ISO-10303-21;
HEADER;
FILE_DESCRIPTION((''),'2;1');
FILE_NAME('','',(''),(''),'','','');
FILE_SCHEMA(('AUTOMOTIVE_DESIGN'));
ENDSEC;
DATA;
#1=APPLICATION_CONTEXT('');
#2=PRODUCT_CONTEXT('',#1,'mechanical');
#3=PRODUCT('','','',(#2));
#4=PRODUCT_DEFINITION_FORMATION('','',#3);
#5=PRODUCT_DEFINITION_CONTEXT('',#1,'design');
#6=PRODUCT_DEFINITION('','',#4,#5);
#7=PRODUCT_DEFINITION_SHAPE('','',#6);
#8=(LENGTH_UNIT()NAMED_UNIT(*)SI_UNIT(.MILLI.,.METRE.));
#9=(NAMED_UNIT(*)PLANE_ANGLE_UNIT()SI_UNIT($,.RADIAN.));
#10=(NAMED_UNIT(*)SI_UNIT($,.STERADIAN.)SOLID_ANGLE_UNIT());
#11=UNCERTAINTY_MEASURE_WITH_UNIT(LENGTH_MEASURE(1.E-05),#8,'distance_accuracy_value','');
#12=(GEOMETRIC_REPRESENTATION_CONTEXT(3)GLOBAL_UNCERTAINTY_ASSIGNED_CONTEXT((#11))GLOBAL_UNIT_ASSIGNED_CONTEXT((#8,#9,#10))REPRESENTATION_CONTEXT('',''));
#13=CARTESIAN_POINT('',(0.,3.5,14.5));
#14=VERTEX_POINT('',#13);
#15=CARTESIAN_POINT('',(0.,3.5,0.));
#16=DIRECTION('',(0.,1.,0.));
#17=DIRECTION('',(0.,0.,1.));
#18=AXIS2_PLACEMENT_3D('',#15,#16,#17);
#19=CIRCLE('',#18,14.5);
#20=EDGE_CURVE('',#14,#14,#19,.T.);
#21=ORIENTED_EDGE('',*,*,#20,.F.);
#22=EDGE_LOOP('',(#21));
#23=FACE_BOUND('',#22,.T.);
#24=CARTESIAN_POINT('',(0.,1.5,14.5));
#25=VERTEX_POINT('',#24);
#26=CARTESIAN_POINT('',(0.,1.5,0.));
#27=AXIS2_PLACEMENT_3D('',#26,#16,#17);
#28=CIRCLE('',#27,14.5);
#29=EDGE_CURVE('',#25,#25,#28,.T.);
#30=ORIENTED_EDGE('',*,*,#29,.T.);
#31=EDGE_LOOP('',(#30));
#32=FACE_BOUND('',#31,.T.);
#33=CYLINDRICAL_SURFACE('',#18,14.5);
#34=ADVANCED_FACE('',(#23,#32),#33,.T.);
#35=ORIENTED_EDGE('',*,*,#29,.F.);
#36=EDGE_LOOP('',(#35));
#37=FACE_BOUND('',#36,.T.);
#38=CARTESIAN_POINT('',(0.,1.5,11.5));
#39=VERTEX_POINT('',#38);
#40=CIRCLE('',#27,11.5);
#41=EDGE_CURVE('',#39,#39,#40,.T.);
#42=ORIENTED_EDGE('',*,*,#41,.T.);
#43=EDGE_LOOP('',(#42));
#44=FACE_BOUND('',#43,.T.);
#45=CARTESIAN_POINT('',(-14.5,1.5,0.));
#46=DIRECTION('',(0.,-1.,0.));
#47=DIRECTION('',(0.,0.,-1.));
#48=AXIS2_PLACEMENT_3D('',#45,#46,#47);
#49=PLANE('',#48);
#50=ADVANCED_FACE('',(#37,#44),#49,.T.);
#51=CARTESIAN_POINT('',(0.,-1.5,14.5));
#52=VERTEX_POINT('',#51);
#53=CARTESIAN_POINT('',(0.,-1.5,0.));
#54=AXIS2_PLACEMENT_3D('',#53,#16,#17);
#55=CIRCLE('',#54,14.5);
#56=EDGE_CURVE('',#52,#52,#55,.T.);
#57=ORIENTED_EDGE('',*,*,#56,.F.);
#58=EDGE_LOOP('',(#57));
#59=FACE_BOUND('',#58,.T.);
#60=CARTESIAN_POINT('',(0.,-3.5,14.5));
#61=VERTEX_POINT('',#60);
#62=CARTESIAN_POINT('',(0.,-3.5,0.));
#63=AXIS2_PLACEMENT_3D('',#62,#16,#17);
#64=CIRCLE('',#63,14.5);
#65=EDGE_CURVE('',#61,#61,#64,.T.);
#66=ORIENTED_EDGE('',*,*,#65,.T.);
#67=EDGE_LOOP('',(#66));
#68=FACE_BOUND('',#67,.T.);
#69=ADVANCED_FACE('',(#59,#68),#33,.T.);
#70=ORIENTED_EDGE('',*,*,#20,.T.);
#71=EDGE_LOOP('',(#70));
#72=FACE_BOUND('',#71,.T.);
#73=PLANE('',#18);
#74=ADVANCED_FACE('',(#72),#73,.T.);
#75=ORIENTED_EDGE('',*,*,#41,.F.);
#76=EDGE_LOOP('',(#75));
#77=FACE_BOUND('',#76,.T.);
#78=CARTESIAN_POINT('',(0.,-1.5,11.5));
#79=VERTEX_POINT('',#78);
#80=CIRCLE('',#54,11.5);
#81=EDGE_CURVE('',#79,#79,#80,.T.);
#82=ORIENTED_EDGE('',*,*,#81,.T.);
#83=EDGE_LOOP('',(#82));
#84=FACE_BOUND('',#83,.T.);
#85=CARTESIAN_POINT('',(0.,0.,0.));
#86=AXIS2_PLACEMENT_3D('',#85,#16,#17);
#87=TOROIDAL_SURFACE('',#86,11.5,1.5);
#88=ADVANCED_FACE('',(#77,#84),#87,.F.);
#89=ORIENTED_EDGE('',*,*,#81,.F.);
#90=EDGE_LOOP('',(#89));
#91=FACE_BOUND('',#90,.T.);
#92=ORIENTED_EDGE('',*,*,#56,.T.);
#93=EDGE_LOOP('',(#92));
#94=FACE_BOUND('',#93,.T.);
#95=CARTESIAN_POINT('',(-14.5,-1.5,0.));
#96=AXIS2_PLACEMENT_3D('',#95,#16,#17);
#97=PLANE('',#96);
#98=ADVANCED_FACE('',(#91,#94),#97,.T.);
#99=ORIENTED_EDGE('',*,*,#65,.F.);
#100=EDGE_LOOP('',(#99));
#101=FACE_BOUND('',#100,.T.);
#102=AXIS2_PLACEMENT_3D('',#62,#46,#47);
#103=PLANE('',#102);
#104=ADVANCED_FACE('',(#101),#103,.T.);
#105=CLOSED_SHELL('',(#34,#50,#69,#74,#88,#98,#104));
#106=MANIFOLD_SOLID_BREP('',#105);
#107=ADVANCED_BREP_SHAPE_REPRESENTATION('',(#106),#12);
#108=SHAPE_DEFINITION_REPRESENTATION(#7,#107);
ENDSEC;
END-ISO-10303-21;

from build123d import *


with BuildPart() as part:
    # ｽｹｯﾁ1 → 回転1 (revolve)
    with BuildSketch(Plane.XY, mode=Mode.PRIVATE) as revolve_1_sk:
        with BuildLine():
            Line((0, 3.5), (-14.5, 3.5))
            Line((-14.5, 3.5), (-14.5, 1.5))
            Line((-14.5, 1.5), (-11.5, 1.5))
            ThreePointArc((-11.5, 1.5), (-10, 0), (-11.5, -1.5))
            Line((-11.5, -1.5), (-14.5, -1.5))
            Line((-14.5, -1.5), (-14.5, -3.5))
            Line((-14.5, -3.5), (0, -3.5))
            Line((0, -3.5), (0, 3.5))
        make_face()
    revolve(revolve_1_sk.sketch.rotate(Axis((0, 3.5, 0), (0, -1, 0)), 270), axis=Axis((0, 3.5, 0), (0, -1, 0)))


solid = part.part
